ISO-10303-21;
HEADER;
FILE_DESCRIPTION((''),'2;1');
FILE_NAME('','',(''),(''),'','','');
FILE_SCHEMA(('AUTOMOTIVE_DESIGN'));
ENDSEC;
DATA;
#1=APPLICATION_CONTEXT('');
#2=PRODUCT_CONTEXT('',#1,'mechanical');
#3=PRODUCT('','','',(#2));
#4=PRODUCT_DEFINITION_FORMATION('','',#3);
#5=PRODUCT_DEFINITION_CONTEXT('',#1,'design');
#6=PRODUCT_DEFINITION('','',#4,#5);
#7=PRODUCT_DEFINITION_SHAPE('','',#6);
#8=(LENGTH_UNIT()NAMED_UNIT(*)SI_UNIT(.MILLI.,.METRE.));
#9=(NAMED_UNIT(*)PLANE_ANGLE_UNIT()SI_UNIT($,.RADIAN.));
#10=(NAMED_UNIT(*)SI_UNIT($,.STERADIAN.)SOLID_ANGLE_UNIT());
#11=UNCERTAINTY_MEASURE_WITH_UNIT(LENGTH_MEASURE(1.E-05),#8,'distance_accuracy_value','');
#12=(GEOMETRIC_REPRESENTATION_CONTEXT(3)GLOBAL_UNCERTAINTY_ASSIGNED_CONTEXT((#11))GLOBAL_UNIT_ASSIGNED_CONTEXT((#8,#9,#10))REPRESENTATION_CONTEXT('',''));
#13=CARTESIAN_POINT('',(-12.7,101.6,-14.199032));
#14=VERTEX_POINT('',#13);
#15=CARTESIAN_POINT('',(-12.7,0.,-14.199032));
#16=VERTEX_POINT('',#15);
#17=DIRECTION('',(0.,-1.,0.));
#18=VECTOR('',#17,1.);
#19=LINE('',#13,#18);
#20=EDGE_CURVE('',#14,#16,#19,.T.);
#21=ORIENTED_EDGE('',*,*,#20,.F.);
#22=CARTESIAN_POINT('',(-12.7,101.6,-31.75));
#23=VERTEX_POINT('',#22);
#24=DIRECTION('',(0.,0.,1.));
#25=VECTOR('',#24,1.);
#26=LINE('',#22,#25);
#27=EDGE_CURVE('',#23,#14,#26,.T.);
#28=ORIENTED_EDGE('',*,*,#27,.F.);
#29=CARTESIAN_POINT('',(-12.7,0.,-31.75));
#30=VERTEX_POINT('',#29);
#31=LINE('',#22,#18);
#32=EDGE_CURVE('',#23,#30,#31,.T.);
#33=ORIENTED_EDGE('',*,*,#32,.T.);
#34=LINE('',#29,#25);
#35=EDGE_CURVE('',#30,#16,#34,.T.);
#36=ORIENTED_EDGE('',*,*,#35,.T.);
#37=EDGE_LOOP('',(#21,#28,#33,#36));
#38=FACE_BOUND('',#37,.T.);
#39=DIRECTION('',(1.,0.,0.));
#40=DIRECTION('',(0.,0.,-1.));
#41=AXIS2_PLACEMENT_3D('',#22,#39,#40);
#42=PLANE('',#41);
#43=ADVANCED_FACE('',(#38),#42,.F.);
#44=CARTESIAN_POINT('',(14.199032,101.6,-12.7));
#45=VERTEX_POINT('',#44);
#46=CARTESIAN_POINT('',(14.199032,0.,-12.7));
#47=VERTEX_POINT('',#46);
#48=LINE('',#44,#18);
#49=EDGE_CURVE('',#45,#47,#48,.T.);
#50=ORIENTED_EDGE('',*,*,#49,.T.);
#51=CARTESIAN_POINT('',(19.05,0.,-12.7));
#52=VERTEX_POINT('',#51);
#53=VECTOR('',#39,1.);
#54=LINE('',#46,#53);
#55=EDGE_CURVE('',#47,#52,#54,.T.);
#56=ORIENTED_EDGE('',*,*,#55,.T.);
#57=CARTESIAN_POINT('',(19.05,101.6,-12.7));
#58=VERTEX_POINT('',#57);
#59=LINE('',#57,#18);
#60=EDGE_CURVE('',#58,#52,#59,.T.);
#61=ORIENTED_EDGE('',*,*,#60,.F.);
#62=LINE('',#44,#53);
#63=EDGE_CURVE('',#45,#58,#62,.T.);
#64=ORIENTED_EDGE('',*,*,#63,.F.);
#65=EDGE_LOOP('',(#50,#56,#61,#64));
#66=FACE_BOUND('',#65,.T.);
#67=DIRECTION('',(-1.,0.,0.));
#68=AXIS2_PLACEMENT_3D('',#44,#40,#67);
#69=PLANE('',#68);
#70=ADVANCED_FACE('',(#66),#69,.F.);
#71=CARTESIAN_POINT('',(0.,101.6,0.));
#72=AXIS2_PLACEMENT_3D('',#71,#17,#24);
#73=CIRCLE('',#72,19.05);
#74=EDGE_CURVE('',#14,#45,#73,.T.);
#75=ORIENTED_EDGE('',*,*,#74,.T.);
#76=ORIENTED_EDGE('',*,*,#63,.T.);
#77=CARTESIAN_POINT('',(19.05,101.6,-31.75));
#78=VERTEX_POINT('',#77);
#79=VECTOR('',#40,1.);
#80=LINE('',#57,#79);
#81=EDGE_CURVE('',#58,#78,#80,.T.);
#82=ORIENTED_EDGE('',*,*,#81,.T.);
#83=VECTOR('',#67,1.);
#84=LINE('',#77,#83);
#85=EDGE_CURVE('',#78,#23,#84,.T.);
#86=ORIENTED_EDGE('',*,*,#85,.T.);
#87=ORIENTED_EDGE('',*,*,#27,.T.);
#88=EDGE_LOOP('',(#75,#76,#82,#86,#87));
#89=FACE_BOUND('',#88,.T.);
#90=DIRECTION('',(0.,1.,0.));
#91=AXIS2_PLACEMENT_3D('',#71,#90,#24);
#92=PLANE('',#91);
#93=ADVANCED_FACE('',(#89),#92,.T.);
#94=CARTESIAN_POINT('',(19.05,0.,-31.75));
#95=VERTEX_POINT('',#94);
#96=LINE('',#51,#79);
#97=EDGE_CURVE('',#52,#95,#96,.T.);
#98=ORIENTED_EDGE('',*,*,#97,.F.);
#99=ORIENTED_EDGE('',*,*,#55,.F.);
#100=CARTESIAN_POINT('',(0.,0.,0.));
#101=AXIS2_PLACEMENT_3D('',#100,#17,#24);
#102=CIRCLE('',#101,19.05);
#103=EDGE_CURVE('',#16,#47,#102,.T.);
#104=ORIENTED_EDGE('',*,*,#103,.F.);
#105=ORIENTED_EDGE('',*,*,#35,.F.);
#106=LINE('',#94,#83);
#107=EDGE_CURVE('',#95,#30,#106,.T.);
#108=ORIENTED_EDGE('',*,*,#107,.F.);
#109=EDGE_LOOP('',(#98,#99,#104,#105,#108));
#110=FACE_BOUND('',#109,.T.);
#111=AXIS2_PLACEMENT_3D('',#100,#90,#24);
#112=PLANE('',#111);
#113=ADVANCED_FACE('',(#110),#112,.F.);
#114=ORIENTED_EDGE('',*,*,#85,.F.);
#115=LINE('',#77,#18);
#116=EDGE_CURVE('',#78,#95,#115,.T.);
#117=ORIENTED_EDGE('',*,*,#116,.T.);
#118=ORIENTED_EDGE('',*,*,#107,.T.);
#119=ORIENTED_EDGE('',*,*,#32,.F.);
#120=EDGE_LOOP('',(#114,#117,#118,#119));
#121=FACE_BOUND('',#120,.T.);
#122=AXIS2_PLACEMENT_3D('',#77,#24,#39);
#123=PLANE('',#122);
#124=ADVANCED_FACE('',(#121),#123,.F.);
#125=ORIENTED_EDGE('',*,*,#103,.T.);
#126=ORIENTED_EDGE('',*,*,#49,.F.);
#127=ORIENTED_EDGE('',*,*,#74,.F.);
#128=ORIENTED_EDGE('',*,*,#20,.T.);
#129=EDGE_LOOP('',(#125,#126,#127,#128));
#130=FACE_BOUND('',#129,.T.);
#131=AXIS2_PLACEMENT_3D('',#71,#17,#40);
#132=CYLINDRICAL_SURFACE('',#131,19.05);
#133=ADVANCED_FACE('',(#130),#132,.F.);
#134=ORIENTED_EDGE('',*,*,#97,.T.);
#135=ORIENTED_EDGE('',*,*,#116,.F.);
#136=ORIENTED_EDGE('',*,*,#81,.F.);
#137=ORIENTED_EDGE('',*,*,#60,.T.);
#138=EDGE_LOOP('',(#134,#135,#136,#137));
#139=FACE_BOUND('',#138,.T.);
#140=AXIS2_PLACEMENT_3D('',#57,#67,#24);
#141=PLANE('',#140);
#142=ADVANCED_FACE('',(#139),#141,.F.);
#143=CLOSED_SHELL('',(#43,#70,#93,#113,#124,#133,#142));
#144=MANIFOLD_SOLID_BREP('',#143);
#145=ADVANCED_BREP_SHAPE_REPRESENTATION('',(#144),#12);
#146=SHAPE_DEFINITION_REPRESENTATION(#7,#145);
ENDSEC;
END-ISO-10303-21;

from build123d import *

# Parameters (mm, degrees)
BOSS_EXTRUDE1_DEPTH = 101.6


with BuildPart() as part:
    # Sketch2 → Boss-Extrude1 (new body)
    with BuildSketch(Plane(origin=(0, 0, 0), x_dir=(1, 0, 0), z_dir=(0, 1, 0))):
        with BuildLine():
            Line((19.05, 12.7), (19.05, 31.75))
            Line((19.05, 31.75), (-12.7, 31.75))
            Line((-12.7, 31.75), (-12.7, 14.199031657))
            ThreePointArc((-12.7, 14.199031657), (1.05997545, 19.020487692), (14.199031657, 12.7))
            Line((14.199031657, 12.7), (19.05, 12.7))
        make_face()
    extrude(amount=BOSS_EXTRUDE1_DEPTH)


solid = part.part
